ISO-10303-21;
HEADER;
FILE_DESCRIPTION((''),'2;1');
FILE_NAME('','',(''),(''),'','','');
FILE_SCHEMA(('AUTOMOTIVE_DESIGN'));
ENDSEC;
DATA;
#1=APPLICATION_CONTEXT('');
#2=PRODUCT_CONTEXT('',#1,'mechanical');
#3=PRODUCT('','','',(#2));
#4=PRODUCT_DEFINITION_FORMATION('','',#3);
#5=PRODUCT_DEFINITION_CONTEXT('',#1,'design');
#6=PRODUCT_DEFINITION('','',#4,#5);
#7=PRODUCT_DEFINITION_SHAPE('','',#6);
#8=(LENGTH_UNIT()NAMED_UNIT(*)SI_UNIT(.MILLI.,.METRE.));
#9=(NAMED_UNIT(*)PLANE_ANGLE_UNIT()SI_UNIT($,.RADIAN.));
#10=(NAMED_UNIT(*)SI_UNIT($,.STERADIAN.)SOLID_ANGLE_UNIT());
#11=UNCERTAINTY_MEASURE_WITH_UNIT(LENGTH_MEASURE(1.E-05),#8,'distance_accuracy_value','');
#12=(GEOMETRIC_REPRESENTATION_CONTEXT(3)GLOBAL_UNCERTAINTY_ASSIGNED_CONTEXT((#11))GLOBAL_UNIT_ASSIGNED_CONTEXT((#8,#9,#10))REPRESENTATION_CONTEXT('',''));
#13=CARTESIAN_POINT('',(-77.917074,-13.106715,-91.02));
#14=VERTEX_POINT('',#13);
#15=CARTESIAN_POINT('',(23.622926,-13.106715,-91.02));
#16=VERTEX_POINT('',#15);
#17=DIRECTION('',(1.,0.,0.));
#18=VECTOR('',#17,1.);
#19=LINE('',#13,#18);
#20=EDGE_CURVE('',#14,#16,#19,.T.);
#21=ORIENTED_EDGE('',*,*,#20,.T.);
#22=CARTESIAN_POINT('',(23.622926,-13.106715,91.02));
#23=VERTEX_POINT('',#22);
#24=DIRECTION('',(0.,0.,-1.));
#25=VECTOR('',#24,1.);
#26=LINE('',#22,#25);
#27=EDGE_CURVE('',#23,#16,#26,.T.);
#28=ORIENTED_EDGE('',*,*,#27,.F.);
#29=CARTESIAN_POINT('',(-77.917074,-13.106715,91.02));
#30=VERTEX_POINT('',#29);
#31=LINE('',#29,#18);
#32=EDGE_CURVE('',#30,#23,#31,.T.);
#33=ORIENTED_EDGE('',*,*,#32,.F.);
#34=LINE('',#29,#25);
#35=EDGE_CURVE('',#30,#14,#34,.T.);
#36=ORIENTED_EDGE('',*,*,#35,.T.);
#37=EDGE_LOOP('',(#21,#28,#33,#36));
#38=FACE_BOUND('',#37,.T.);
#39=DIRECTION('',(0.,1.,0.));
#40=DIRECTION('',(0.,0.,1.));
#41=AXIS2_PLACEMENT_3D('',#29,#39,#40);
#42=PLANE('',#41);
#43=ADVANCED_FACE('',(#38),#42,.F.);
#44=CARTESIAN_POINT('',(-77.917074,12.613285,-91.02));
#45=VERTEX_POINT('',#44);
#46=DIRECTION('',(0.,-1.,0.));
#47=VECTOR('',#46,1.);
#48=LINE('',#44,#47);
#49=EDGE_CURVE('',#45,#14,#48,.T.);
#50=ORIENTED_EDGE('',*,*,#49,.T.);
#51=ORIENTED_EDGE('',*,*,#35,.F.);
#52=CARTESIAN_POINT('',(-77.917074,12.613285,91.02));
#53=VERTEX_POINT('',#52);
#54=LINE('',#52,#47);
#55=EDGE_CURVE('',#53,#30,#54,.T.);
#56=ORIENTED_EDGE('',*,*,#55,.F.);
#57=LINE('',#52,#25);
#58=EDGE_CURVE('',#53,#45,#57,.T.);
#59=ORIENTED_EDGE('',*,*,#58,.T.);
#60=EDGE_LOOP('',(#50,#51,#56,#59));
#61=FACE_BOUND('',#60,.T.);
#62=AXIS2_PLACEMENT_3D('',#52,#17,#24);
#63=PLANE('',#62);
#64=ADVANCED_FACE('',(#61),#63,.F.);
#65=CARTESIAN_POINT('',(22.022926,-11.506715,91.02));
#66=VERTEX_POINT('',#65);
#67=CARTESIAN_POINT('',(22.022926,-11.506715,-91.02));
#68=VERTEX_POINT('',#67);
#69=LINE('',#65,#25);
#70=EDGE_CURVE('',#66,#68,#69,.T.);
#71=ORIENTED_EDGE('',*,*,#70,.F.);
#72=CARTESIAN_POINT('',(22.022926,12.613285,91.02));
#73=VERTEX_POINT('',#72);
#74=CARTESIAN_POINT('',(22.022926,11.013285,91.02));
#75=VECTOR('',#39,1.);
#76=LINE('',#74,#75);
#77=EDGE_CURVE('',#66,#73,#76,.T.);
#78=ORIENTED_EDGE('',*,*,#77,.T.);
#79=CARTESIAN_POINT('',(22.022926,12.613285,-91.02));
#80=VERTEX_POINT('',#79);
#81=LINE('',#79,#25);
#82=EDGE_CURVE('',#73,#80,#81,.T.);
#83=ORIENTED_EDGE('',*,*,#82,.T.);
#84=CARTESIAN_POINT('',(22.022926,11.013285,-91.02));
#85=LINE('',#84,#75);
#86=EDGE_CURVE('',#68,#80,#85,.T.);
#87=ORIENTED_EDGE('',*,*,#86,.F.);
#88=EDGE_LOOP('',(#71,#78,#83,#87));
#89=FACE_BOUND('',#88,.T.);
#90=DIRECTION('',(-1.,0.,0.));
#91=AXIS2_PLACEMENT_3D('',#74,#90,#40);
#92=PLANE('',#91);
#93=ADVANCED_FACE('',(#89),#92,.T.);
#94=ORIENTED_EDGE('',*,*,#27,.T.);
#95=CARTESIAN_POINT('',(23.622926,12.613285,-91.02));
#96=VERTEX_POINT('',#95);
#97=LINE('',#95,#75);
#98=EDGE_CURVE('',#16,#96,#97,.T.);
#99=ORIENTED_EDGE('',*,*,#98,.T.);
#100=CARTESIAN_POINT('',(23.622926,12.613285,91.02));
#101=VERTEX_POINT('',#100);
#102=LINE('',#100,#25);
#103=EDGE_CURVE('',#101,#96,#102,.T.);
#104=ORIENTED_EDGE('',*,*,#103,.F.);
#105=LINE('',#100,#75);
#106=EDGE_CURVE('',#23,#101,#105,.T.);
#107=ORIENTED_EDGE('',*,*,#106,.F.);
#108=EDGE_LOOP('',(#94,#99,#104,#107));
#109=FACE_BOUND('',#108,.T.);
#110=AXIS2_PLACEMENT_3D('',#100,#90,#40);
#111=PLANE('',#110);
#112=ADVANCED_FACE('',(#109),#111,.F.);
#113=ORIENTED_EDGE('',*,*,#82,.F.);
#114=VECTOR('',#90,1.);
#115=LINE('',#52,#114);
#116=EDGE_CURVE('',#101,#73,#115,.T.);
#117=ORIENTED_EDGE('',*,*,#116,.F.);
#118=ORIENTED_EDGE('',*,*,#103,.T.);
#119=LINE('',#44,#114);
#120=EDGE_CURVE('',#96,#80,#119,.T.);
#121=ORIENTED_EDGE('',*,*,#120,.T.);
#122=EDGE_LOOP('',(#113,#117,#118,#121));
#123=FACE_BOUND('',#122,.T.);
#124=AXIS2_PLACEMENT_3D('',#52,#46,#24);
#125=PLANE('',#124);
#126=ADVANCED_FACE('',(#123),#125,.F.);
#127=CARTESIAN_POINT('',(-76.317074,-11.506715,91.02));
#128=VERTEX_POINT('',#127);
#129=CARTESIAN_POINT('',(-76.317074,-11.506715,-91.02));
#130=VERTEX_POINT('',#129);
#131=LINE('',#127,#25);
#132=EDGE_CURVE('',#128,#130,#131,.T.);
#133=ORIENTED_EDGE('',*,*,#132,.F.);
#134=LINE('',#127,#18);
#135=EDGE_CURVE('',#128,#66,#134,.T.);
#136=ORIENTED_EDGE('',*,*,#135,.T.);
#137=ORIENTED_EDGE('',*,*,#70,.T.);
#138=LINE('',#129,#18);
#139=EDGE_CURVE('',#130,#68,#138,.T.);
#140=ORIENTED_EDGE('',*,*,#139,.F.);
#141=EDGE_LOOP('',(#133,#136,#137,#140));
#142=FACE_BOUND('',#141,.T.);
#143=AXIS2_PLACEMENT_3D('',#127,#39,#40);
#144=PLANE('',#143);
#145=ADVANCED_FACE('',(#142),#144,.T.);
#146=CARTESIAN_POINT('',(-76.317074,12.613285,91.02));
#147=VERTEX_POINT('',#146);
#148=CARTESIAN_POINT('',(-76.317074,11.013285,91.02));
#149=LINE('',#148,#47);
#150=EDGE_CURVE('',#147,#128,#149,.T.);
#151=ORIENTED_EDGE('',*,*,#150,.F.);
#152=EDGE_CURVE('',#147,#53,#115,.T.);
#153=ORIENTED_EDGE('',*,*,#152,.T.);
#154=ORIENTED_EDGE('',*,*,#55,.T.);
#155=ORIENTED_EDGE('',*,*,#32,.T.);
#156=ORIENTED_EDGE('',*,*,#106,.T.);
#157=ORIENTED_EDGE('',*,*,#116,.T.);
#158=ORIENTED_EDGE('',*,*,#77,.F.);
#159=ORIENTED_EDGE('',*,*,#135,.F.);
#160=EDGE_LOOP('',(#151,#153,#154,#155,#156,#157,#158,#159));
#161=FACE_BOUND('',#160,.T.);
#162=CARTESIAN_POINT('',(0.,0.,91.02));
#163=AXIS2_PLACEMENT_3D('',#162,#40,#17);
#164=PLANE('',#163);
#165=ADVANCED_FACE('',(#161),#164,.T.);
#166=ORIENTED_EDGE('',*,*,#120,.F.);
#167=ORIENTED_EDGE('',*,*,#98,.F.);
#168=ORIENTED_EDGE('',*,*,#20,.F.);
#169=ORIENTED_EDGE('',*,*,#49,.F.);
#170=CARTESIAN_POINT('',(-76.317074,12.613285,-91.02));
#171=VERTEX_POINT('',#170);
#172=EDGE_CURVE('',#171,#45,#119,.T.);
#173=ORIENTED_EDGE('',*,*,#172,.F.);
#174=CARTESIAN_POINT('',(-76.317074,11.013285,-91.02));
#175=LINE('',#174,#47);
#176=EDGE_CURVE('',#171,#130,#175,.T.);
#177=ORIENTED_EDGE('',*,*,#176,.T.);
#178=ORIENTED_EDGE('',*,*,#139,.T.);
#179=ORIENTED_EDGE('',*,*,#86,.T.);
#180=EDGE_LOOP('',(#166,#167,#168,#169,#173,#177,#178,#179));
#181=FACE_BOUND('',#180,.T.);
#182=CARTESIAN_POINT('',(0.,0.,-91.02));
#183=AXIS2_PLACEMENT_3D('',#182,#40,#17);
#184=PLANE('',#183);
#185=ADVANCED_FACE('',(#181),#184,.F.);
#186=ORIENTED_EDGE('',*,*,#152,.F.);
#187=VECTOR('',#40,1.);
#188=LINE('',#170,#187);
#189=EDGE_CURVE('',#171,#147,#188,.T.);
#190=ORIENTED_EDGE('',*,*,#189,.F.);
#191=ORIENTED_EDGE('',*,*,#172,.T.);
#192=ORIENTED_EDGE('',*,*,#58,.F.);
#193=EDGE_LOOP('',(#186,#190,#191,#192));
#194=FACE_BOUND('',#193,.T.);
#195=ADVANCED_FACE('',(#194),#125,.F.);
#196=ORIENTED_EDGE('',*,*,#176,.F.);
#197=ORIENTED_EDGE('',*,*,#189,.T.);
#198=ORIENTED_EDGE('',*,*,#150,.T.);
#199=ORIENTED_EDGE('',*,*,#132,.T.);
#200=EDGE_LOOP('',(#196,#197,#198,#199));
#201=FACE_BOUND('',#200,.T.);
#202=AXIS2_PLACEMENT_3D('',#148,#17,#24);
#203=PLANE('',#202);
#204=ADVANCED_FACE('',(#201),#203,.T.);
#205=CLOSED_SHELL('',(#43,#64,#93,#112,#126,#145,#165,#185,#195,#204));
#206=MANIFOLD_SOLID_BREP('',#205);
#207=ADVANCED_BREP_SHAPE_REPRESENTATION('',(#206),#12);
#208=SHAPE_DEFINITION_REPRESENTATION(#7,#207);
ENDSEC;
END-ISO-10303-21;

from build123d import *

# Parameters (mm, degrees)
CROQUIS1_W              = 101.54
CROQUIS1_H              = 25.72
CROQUIS1_W_2            = 98.34
CROQUIS1_H_2            = 22.52
SALIENTE_EXTRUIR1_DEPTH = 91.02
CROQUIS2_W              = 98.34
CROQUIS2_H              = 182.04
CORTAR_EXTRUIR1_DEPTH   = 6.04


with BuildPart() as part:
    # Croquis1 → Saliente-Extruir1 (new, symmetric)
    with BuildSketch(Plane.XY):
        with Locations((-27.147074341, -0.246714628)):
            Rectangle(CROQUIS1_W, CROQUIS1_H)
        with Locations((-27.147074341, -0.246714628)):
            Rectangle(CROQUIS1_W_2, CROQUIS1_H_2, mode=Mode.SUBTRACT)
    extrude(amount=SALIENTE_EXTRUIR1_DEPTH, both=True)

    # Croquis2 → Cortar-Extruir1 (cut)
    with BuildSketch(Plane(origin=(0, 12.613285372, 0), x_dir=(1, 0, 0), z_dir=(0, 1, 0))):
        with Locations((-27.147074341, 0)):
            Rectangle(CROQUIS2_W, CROQUIS2_H)
    extrude(amount=-CORTAR_EXTRUIR1_DEPTH, mode=Mode.SUBTRACT)


solid = part.part
